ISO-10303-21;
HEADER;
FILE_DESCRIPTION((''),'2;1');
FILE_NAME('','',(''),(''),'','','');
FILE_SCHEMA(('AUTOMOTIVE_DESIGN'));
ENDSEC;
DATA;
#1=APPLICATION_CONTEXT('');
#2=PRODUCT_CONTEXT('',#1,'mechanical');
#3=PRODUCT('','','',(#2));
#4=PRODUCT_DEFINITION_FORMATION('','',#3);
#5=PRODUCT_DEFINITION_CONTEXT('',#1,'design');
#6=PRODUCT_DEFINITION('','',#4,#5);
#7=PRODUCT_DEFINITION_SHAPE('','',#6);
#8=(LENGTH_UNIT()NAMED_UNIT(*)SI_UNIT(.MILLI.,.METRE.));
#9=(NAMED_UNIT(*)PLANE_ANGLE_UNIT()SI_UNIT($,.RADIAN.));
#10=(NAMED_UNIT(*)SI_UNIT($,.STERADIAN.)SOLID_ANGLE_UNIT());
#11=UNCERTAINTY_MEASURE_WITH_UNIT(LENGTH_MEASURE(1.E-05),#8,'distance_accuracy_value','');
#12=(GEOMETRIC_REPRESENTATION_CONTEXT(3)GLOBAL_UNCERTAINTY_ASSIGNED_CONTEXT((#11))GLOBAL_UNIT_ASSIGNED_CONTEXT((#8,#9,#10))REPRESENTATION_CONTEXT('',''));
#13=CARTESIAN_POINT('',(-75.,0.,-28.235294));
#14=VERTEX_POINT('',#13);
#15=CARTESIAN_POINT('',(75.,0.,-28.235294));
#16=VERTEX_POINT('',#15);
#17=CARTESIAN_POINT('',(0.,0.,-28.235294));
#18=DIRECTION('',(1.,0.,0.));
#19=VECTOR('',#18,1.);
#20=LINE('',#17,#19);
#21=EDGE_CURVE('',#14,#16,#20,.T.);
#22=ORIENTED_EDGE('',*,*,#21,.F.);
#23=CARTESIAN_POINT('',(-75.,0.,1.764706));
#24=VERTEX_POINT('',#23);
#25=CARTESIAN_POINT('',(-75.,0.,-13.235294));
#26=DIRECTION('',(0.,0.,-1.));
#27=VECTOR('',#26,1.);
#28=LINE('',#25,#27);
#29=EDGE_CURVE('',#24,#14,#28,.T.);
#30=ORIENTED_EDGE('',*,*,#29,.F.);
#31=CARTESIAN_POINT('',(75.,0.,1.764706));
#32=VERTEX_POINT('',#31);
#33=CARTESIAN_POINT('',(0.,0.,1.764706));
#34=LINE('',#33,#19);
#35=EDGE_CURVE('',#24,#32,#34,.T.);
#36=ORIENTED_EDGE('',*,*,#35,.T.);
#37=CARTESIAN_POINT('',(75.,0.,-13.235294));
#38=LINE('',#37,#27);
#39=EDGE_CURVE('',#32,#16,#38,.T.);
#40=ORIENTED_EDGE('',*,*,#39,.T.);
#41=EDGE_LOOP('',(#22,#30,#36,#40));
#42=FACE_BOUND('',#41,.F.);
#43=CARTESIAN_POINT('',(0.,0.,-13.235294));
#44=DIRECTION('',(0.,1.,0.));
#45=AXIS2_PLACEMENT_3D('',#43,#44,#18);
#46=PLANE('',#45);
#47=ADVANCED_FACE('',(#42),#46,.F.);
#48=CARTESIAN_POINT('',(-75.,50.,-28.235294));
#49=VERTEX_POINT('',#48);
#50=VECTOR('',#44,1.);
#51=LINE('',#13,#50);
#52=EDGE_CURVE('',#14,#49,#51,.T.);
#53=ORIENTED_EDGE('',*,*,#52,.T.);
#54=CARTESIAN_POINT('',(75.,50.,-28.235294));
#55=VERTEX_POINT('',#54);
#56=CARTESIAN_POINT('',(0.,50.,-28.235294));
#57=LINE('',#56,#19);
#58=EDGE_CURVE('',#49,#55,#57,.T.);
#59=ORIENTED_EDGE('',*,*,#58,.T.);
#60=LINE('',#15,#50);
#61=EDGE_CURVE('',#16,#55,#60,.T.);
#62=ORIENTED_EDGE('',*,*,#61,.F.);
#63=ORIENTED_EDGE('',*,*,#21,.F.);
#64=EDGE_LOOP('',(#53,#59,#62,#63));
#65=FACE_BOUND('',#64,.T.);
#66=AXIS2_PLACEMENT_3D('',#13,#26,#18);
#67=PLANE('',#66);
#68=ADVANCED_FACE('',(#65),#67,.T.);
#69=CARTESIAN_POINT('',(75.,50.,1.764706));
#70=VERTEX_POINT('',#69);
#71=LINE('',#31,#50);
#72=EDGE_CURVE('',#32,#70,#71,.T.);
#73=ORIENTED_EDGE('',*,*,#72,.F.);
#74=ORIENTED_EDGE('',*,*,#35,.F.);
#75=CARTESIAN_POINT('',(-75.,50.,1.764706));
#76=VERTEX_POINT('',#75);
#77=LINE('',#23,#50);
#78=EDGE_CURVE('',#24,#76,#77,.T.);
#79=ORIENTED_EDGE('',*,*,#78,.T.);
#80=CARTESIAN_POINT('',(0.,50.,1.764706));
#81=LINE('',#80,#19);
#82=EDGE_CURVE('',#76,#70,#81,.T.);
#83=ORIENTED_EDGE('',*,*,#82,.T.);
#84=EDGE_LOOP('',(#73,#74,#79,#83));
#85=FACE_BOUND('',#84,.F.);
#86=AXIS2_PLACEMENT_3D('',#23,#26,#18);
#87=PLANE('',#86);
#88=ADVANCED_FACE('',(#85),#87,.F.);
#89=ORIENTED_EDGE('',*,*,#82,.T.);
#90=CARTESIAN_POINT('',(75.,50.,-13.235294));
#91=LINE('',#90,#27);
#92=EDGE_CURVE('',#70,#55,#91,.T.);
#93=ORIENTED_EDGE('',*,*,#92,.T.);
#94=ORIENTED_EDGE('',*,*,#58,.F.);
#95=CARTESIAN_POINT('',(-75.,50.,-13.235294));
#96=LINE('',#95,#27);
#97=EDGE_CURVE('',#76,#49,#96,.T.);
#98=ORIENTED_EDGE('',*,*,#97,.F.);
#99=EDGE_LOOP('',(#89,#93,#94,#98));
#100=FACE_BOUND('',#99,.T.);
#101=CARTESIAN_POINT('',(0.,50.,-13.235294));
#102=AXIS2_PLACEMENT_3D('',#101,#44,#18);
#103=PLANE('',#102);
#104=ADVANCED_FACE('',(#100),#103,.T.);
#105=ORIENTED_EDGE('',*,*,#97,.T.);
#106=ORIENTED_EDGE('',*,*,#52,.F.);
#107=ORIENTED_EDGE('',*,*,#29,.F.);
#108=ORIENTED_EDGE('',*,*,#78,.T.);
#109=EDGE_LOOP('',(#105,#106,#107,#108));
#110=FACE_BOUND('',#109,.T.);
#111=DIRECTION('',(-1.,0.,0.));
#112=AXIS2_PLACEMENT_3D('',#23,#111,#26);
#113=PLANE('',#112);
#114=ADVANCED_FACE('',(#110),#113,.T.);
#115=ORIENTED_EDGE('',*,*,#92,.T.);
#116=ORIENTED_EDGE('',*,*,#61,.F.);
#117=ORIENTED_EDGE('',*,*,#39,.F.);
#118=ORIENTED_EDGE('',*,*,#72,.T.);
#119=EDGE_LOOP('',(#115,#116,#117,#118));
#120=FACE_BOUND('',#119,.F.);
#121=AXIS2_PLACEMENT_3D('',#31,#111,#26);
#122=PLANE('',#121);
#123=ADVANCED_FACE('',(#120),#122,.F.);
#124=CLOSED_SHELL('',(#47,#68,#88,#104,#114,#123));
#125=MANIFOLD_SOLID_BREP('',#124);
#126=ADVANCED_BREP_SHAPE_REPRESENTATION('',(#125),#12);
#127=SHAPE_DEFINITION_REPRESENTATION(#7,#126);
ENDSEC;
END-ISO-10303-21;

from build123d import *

# Parameters (mm, degrees)
SKETCH1_W           = 150
SKETCH1_H           = 30
BOSS_EXTRUDE2_DEPTH = 50


with BuildPart() as part:
    # Sketch1 → Boss-Extrude2 (new body)
    with BuildSketch(Plane(origin=(0, 0, 0), x_dir=(1, 0, 0), z_dir=(0, 1, 0))):
        with Locations((0, 13.235294118)):
            Rectangle(SKETCH1_W, SKETCH1_H)
    extrude(amount=BOSS_EXTRUDE2_DEPTH)


solid = part.part
